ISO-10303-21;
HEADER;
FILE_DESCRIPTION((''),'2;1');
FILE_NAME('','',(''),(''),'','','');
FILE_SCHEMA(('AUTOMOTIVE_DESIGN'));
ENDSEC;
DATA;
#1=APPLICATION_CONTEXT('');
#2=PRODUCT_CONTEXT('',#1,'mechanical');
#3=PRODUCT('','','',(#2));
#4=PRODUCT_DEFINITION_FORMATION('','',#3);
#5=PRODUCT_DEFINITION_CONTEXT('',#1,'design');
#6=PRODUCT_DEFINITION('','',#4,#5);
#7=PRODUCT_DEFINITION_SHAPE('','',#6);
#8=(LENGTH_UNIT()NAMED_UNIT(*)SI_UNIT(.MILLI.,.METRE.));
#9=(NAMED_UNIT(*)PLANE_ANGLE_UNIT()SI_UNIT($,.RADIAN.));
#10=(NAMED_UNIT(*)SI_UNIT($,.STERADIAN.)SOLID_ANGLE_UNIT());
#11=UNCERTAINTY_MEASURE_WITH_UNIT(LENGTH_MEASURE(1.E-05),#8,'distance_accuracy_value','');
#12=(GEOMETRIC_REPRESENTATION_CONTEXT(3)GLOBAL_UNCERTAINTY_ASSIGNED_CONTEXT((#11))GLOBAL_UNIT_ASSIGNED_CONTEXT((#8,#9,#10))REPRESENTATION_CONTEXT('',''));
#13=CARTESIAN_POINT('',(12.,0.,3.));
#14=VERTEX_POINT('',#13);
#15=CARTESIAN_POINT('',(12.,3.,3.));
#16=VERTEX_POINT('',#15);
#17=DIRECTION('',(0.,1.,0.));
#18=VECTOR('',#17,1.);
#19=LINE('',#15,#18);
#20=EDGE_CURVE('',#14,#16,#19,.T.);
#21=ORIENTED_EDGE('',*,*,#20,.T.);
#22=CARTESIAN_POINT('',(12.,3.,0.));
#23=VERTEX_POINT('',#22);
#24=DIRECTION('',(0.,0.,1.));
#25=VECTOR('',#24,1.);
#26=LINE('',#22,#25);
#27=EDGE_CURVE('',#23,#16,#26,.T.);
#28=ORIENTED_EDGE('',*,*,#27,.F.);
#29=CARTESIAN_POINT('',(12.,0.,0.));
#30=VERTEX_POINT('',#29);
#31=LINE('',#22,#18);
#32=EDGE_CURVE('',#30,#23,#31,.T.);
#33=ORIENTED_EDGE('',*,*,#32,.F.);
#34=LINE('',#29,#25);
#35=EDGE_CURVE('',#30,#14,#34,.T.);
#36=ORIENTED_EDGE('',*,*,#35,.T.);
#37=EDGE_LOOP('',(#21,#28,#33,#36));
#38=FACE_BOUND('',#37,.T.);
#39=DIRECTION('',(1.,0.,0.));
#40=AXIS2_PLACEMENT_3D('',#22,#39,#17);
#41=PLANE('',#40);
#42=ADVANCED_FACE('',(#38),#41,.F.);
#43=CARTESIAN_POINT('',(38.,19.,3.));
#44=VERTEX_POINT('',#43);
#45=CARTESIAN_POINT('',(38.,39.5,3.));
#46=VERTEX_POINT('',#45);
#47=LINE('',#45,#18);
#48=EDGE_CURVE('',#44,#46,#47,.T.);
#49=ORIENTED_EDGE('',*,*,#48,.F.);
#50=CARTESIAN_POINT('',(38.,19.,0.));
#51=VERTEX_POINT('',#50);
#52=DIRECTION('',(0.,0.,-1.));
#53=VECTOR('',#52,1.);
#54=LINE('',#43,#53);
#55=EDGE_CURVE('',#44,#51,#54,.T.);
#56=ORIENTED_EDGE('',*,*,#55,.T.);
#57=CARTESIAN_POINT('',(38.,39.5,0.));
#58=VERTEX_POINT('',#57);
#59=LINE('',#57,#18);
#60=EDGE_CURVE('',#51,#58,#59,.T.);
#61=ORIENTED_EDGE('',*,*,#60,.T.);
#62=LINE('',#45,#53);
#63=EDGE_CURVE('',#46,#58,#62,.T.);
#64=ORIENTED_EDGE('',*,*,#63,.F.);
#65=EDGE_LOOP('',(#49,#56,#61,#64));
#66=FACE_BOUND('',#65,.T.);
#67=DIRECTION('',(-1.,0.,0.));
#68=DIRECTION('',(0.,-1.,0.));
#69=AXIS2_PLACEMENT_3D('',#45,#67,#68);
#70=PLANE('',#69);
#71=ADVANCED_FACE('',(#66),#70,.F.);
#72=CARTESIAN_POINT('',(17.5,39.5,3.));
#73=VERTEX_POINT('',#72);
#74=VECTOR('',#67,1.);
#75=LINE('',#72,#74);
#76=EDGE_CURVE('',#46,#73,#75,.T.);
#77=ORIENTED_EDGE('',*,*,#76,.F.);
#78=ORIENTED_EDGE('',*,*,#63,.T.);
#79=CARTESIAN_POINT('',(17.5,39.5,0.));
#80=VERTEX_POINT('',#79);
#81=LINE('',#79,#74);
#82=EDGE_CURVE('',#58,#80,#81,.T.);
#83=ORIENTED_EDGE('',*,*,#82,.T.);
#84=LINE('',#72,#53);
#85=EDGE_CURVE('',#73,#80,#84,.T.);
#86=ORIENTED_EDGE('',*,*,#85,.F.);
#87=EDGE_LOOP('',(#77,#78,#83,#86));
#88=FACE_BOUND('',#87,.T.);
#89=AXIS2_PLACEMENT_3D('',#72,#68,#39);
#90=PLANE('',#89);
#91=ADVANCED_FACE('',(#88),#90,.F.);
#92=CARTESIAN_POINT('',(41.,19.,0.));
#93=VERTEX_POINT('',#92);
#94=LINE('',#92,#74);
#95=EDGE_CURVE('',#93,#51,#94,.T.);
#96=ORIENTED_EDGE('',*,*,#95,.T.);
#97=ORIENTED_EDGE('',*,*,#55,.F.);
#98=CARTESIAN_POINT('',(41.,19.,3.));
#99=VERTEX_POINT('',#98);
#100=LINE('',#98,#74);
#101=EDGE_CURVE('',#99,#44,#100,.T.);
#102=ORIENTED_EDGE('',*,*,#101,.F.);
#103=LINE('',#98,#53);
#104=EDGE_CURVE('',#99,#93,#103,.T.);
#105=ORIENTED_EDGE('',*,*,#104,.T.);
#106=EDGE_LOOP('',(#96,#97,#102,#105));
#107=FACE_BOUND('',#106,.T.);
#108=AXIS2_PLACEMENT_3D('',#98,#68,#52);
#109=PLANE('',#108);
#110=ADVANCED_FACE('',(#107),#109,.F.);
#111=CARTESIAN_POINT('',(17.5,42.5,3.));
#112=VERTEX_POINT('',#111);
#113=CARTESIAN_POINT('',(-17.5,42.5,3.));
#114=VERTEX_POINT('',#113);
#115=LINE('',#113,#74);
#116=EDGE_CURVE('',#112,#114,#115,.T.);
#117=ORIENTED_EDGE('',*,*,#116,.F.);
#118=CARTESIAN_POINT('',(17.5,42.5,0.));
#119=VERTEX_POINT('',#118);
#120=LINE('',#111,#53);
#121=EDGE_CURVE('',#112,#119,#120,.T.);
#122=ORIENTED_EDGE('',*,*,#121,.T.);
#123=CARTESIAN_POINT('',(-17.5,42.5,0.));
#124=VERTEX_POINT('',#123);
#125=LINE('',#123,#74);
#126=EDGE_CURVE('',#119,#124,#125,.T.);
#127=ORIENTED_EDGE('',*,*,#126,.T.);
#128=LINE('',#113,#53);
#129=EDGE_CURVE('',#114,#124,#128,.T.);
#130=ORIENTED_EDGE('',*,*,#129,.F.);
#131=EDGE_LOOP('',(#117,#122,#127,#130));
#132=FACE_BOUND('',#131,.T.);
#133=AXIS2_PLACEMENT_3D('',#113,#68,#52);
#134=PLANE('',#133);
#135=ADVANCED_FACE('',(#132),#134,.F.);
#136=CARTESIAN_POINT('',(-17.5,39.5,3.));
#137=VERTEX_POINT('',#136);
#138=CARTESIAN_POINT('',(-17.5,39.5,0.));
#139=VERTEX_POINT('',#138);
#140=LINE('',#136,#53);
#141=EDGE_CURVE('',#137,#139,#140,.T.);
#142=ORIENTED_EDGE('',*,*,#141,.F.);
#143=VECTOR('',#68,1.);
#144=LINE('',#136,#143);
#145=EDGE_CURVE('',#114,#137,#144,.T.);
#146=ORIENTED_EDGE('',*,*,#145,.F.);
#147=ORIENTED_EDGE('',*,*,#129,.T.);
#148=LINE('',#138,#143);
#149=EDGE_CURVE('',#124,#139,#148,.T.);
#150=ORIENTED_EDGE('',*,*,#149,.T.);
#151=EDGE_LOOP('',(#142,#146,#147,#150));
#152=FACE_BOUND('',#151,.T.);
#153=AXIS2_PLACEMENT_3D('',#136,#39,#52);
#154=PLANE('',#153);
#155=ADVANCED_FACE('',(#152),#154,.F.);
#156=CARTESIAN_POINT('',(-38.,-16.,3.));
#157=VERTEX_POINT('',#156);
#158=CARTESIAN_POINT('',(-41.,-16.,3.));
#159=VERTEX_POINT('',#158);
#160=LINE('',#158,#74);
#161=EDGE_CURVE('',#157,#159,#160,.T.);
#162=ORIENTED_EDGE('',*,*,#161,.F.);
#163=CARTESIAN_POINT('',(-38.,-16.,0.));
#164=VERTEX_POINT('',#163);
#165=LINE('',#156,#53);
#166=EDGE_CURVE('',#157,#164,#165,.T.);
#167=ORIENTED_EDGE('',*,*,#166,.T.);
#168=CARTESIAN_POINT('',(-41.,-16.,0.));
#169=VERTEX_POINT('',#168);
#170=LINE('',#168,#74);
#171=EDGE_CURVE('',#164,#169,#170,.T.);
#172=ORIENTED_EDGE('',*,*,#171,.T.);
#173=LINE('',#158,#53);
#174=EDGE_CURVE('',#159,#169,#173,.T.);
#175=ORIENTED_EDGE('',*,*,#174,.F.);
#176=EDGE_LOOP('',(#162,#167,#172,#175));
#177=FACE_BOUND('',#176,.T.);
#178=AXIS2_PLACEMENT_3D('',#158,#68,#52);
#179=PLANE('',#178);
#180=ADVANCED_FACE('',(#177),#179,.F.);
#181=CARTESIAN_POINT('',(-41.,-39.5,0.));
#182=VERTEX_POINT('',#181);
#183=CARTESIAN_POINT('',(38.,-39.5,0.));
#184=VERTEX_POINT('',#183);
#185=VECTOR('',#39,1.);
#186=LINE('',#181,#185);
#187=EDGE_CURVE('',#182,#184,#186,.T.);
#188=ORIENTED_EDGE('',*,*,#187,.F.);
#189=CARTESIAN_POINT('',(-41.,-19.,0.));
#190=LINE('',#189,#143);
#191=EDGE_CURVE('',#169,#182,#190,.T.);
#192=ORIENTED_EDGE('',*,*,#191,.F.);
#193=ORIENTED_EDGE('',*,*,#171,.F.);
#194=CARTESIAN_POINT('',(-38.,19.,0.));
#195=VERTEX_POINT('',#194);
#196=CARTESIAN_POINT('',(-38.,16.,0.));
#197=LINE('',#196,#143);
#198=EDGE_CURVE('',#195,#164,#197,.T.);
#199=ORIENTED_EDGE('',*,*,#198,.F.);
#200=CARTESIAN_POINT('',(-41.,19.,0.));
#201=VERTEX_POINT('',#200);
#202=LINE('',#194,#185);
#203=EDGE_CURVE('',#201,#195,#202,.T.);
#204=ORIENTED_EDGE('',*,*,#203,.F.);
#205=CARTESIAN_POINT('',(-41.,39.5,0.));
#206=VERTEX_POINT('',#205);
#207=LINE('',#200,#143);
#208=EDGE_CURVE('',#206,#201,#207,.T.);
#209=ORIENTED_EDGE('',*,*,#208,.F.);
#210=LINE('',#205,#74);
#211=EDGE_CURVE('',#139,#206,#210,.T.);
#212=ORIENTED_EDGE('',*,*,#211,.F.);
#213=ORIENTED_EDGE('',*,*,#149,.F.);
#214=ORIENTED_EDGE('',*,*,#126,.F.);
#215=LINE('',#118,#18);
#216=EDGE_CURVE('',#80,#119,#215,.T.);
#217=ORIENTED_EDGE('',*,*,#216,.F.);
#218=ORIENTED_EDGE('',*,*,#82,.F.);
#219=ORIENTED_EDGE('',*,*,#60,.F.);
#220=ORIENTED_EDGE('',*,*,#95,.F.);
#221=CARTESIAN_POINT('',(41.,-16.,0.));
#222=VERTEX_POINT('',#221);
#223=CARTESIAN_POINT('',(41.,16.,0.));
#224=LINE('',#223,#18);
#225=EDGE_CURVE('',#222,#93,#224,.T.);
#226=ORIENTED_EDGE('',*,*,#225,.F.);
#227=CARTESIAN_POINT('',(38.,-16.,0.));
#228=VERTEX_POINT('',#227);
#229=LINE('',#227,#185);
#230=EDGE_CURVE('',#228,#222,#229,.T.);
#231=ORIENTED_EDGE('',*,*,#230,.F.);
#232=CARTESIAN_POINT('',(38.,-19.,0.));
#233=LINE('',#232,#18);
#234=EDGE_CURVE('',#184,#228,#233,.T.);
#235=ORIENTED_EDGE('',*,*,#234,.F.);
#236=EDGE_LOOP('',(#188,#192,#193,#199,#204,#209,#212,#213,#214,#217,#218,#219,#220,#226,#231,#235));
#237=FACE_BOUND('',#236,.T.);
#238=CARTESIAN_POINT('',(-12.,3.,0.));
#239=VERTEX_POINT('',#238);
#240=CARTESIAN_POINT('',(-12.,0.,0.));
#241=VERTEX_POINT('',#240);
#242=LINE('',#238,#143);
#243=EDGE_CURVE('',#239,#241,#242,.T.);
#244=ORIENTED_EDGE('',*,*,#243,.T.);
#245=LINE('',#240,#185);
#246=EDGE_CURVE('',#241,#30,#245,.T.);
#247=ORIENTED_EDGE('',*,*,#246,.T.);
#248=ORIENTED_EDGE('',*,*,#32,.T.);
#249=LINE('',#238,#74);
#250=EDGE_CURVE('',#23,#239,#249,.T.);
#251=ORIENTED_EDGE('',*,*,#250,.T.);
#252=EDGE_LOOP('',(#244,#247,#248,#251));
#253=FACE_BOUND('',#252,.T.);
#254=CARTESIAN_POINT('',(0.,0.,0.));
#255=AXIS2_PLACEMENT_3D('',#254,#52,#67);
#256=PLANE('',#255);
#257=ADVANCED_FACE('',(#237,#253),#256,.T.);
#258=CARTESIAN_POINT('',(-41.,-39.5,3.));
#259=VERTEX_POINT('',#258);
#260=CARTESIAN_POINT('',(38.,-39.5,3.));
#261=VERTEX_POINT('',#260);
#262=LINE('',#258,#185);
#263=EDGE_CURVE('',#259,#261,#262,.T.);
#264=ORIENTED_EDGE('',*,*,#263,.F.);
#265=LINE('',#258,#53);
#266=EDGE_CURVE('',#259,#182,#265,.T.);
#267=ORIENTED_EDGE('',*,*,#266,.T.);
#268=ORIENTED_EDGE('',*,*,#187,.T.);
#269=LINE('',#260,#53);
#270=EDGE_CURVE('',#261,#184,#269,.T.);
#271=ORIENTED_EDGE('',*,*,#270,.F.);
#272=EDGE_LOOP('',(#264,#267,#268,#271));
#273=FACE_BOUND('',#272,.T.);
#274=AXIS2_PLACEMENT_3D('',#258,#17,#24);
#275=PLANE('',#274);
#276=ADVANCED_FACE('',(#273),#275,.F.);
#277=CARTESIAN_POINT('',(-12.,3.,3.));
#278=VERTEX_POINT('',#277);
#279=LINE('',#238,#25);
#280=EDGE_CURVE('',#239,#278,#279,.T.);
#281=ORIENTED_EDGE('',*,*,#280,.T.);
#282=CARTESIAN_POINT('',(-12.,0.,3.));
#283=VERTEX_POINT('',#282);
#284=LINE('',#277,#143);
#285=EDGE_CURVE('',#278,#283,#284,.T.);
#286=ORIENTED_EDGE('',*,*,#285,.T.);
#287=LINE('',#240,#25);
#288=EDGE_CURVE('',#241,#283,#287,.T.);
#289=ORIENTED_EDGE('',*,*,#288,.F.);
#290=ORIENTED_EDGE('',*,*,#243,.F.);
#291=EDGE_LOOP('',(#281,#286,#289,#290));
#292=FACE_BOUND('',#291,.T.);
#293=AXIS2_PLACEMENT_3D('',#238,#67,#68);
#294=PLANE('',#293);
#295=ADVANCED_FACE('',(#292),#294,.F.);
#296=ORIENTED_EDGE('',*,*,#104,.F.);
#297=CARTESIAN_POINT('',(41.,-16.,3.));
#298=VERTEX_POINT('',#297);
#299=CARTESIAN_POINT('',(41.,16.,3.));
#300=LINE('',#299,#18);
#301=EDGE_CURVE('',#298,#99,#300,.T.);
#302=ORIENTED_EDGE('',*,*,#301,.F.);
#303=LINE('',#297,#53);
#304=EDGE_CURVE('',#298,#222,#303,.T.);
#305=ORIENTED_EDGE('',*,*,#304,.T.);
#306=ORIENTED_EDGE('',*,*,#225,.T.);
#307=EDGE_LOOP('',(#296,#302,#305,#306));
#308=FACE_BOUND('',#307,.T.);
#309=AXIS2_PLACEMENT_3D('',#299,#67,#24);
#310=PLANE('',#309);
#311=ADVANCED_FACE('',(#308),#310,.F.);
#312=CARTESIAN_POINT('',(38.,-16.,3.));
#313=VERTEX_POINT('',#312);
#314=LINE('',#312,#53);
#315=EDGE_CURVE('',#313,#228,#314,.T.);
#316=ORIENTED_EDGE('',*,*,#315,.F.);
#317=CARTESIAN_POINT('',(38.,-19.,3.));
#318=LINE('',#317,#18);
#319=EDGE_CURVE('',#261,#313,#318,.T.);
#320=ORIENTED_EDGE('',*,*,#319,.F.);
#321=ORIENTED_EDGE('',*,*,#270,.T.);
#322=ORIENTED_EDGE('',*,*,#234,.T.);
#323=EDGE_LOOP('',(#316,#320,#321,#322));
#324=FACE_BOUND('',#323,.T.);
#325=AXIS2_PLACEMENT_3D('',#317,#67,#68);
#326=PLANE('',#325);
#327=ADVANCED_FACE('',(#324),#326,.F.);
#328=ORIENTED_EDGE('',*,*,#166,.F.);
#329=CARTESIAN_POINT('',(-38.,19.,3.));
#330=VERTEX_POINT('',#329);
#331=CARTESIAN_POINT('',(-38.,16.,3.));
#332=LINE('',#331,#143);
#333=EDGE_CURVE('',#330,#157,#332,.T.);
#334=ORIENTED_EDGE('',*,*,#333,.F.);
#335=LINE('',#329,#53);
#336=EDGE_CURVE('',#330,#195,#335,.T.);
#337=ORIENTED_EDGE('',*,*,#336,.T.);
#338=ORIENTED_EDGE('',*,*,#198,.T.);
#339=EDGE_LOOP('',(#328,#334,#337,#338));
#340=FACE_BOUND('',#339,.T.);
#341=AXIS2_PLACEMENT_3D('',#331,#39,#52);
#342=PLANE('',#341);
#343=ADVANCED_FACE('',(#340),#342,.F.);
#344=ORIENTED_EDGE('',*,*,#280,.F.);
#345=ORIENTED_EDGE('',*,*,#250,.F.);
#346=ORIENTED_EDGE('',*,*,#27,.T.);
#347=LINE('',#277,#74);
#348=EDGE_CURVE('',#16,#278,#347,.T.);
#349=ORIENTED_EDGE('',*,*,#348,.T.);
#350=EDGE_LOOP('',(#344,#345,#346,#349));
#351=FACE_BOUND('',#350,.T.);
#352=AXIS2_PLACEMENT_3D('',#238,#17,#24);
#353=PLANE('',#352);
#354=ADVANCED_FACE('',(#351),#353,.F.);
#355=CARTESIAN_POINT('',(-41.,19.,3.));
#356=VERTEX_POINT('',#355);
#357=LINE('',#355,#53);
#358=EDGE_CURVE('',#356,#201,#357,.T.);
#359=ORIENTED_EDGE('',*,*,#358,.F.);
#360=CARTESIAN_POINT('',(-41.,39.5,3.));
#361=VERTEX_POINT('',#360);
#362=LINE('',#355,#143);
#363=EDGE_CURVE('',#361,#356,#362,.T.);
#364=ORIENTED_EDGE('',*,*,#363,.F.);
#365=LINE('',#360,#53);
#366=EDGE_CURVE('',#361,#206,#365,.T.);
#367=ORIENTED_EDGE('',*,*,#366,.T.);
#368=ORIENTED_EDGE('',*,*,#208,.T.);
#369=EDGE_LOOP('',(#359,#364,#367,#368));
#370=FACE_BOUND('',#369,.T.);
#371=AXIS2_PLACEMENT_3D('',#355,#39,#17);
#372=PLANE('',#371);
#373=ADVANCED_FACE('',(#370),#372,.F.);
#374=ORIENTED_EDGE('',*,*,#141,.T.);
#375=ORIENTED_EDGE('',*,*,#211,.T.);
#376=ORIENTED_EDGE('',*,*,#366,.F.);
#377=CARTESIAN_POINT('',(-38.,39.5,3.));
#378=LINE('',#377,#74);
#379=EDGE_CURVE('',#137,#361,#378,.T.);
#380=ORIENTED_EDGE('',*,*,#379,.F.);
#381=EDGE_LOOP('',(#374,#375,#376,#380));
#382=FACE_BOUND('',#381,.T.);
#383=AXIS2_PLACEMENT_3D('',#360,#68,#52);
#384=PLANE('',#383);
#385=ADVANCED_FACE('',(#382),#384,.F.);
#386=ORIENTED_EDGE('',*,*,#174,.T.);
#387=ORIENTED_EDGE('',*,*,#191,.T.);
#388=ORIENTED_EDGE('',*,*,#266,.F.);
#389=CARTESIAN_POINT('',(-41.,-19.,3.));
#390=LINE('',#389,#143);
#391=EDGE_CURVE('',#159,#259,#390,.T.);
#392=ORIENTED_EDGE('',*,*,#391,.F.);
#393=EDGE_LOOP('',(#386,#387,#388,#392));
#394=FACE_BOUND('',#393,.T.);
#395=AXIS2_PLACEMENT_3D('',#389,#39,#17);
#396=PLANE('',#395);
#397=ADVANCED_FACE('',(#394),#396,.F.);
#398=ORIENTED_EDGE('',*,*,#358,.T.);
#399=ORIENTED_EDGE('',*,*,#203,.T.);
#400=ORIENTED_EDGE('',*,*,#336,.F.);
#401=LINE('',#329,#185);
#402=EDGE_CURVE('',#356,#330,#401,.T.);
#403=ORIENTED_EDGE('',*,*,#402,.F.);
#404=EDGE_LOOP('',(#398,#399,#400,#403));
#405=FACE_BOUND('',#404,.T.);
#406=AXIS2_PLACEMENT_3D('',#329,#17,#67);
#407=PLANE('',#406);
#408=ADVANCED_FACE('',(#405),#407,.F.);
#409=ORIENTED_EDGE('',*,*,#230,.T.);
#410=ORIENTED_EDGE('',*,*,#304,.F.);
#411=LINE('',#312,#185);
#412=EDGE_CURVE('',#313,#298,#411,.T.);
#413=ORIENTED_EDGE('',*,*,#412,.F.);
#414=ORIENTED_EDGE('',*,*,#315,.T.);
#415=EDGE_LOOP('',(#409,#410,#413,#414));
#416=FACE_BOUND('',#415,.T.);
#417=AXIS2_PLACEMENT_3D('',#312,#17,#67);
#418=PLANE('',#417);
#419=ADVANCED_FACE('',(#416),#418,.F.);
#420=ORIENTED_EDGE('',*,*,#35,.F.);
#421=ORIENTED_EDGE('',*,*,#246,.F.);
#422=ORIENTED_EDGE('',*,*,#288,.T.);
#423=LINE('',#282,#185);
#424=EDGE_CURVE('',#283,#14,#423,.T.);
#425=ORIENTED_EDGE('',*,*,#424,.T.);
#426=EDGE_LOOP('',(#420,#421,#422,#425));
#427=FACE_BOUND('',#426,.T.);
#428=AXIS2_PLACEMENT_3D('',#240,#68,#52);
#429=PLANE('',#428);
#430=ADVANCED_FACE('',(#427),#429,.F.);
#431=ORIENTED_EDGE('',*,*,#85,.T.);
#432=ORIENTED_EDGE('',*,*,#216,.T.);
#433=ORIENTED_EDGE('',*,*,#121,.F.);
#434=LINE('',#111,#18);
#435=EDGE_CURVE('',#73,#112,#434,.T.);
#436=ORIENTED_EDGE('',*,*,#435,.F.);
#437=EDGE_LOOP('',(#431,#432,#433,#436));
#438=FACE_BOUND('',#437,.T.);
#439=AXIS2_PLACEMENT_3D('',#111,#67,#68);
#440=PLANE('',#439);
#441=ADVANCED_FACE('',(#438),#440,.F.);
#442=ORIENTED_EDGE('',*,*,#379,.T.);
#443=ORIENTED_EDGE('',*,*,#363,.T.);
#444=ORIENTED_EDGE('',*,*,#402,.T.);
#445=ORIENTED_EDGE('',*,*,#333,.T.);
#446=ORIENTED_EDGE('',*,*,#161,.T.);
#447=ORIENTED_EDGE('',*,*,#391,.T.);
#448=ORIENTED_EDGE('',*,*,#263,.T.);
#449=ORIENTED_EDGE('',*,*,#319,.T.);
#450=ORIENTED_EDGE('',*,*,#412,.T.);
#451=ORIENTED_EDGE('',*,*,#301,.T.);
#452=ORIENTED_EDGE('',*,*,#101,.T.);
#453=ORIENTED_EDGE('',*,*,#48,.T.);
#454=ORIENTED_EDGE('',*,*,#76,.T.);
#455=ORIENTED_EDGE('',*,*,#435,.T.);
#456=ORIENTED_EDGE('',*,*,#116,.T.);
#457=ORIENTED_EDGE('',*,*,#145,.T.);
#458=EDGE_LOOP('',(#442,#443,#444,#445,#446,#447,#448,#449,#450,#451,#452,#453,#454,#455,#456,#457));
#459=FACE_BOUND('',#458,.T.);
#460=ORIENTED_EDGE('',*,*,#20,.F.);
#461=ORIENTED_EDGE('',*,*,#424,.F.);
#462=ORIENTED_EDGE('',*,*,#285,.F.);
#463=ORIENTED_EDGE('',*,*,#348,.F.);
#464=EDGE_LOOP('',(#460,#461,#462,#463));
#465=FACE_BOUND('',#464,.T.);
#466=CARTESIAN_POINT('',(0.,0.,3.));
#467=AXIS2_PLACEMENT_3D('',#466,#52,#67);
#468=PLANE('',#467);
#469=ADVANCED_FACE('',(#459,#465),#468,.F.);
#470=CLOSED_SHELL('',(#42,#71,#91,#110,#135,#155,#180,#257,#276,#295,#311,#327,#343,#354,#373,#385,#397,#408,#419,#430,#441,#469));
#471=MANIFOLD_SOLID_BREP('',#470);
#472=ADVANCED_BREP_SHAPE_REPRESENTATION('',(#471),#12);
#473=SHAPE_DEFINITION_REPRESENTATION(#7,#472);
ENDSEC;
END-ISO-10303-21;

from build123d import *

# Parameters (mm, degrees)
BOSS_EXTRUDE1_DEPTH = 3
SKETCH2_W           = 24
SKETCH2_H           = 3
CUT_EXTRUDE1_DEPTH  = 3


with BuildPart() as part:
    # Sketch1 → Boss-Extrude1 (new body)
    with BuildSketch(Plane.XY):
        Polygon((-38, 39.5), (-17.5, 39.5), (-17.5, 42.5), (17.5, 42.5), (17.5, 39.5), (38, 39.5), (38, 19), (41, 19), (41, 16), (41, -16), (38, -16), (38, -19), (38, -39.5), (-41, -39.5), (-41, -19), (-41, -16), (-38, -16), (-38, 16), (-38, 19), (-41, 19), (-41, 39.5), align=None)
    extrude(amount=BOSS_EXTRUDE1_DEPTH)

    # Sketch2 → Cut-Extrude1 (cut)
    with BuildSketch(Plane.XY.offset(3)):
        with Locations((0, 1.5)):
            Rectangle(SKETCH2_W, SKETCH2_H)
    extrude(amount=-CUT_EXTRUDE1_DEPTH, mode=Mode.SUBTRACT)


solid = part.part
